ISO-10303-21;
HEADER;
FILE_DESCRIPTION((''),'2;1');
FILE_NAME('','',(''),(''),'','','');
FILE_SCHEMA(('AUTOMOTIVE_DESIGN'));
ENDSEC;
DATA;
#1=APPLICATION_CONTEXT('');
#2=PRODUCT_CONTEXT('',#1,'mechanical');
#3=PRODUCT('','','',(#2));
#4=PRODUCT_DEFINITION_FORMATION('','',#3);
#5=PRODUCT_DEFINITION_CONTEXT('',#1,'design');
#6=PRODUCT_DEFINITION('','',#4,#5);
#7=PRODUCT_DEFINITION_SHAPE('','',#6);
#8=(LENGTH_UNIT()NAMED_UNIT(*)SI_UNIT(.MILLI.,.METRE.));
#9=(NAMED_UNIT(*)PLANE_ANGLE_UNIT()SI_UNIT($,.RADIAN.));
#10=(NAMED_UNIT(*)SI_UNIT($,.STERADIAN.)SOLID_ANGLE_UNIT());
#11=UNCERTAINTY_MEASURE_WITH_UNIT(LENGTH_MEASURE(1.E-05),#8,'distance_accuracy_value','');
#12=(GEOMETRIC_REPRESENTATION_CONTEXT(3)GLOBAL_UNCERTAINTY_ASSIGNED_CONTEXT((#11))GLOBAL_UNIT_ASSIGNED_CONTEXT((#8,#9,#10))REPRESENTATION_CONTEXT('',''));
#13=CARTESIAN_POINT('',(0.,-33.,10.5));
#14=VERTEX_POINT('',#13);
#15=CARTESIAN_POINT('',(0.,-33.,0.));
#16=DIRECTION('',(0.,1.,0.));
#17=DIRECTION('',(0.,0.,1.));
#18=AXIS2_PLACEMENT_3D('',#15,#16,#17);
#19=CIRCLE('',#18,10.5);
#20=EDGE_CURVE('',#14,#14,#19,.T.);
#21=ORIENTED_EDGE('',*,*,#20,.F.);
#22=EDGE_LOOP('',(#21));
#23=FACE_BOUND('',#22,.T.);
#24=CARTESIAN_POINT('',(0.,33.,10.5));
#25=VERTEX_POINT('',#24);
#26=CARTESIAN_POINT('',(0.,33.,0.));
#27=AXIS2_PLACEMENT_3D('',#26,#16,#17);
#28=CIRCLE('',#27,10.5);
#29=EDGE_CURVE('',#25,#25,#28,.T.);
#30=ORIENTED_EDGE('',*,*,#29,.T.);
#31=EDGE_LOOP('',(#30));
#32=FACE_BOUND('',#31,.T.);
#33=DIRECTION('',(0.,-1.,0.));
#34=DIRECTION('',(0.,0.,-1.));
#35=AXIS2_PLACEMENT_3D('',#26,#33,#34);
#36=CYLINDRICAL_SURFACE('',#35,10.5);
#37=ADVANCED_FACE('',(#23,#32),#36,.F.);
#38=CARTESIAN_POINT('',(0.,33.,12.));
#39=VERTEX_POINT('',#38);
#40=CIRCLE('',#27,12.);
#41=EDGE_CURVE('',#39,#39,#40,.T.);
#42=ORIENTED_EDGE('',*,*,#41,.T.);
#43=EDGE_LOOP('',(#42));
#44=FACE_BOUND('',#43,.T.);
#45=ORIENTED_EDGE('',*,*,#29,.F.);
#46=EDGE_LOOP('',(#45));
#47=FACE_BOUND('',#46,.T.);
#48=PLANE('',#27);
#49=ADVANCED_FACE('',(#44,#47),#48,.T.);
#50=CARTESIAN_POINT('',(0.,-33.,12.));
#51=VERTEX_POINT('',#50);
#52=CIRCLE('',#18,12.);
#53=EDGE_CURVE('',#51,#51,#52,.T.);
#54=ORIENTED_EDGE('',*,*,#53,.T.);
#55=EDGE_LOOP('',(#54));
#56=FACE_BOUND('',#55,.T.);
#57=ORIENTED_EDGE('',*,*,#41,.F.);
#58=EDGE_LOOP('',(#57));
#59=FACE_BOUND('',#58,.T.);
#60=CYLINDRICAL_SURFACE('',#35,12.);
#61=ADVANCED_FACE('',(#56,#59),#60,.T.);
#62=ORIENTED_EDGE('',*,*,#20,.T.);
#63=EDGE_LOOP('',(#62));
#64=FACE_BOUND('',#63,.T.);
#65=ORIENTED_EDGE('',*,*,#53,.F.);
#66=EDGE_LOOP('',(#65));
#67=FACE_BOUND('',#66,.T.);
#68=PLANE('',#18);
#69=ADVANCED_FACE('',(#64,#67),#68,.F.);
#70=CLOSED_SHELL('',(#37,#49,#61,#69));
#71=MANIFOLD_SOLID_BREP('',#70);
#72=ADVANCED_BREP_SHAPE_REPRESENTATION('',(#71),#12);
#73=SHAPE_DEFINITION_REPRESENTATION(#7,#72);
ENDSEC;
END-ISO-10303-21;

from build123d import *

# Parameters (mm, degrees)
ESQUISSE2_R        = 12
ESQUISSE2_R_2      = 10.5
BOSS_EXTRU_1_DEPTH = 33


with BuildPart() as part:
    # Esquisse2 → Boss.-Extru.1 (new body, symmetric)
    with BuildSketch(Plane(origin=(0, 0, 0), x_dir=(1, 0, 0), z_dir=(0, 1, 0))):
        Circle(ESQUISSE2_R)
        Circle(ESQUISSE2_R_2, mode=Mode.SUBTRACT)
    extrude(amount=BOSS_EXTRU_1_DEPTH, both=True)


solid = part.part
